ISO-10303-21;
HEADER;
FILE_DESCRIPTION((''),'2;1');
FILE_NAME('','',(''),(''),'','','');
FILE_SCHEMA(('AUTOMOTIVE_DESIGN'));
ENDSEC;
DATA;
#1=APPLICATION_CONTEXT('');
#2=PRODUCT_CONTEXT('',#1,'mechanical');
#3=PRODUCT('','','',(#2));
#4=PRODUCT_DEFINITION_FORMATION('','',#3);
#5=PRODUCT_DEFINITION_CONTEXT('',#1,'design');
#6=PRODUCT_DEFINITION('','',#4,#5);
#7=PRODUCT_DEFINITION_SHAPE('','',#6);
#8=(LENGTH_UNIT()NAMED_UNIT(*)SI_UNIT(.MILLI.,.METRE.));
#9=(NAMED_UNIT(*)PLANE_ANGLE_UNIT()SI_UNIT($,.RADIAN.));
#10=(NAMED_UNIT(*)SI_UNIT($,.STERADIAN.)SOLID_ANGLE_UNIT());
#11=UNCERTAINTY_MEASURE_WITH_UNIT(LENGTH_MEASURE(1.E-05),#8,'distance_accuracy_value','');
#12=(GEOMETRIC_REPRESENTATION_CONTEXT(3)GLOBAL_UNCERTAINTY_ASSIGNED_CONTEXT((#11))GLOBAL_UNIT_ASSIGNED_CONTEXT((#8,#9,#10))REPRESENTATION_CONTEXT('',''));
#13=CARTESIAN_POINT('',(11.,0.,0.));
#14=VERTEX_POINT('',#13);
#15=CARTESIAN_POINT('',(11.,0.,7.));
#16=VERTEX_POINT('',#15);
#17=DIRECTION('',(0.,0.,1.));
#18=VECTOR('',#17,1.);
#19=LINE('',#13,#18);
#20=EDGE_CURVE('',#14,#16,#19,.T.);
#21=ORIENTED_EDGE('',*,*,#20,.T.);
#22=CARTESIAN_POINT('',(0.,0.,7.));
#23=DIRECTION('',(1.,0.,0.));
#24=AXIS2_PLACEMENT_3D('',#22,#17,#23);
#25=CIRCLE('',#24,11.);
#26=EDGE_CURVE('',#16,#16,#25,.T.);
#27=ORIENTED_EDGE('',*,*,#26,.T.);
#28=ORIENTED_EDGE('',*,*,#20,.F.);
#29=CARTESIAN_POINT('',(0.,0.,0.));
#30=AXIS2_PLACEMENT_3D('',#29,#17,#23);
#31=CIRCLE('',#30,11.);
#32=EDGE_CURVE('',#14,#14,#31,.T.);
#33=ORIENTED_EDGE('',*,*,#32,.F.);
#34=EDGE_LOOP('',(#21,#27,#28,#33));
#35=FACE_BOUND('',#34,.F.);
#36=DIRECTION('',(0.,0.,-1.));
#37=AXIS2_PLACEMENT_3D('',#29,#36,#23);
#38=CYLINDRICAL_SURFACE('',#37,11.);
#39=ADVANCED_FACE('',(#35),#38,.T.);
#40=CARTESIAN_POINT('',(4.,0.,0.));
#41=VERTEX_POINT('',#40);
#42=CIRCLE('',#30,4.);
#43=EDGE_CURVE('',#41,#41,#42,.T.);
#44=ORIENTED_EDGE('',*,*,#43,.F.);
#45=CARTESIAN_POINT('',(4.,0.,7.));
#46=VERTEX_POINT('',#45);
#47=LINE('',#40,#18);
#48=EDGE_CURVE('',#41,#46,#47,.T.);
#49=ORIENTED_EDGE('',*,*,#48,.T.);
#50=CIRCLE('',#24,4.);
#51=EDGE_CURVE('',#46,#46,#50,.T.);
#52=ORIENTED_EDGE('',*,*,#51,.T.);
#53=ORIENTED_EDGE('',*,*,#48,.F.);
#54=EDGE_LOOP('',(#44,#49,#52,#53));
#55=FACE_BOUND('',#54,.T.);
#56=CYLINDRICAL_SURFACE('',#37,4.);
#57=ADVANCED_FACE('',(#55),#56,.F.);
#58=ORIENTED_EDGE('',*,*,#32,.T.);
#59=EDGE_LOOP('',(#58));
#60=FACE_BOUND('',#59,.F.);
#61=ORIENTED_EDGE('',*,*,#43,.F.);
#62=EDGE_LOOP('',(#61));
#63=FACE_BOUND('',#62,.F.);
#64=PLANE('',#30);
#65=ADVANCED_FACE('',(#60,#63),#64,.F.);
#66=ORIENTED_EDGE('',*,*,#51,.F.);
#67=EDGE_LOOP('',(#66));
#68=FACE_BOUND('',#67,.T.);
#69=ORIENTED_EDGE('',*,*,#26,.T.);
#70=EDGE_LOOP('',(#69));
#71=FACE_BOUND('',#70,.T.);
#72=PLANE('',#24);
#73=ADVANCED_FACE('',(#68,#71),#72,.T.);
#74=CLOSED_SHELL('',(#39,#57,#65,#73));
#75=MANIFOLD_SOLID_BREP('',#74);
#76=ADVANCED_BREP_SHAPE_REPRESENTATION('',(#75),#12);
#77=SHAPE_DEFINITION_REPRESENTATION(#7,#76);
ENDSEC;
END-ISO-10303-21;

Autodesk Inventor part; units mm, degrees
ref_plane "YZ Plane" through (0, 0, 0) normal (1, 0, 0) x (0, 1, 0)
ref_plane "XZ Plane" through (0, 0, 0) normal (0, 1, 0) x (-1, 0, 0)
ref_plane "XY Plane" through (0, 0, 0) normal (0, 0, 1) x (1, 0, 0)
sketch "Sketch1" plane through (0, 0, 0) normal (0, 0, 1) x (1, 0, 0)
  circle A0 centre (0, 0) radius 4
  circle A1 centre (0, 0) radius 11
  dimension "d0" = 8
  dimension "d1" = 22
extrude "Extrusion1" add sketch "Sketch1" along normal blind 7
properties part number "BEARINGSTANDIN" material "Steel"
